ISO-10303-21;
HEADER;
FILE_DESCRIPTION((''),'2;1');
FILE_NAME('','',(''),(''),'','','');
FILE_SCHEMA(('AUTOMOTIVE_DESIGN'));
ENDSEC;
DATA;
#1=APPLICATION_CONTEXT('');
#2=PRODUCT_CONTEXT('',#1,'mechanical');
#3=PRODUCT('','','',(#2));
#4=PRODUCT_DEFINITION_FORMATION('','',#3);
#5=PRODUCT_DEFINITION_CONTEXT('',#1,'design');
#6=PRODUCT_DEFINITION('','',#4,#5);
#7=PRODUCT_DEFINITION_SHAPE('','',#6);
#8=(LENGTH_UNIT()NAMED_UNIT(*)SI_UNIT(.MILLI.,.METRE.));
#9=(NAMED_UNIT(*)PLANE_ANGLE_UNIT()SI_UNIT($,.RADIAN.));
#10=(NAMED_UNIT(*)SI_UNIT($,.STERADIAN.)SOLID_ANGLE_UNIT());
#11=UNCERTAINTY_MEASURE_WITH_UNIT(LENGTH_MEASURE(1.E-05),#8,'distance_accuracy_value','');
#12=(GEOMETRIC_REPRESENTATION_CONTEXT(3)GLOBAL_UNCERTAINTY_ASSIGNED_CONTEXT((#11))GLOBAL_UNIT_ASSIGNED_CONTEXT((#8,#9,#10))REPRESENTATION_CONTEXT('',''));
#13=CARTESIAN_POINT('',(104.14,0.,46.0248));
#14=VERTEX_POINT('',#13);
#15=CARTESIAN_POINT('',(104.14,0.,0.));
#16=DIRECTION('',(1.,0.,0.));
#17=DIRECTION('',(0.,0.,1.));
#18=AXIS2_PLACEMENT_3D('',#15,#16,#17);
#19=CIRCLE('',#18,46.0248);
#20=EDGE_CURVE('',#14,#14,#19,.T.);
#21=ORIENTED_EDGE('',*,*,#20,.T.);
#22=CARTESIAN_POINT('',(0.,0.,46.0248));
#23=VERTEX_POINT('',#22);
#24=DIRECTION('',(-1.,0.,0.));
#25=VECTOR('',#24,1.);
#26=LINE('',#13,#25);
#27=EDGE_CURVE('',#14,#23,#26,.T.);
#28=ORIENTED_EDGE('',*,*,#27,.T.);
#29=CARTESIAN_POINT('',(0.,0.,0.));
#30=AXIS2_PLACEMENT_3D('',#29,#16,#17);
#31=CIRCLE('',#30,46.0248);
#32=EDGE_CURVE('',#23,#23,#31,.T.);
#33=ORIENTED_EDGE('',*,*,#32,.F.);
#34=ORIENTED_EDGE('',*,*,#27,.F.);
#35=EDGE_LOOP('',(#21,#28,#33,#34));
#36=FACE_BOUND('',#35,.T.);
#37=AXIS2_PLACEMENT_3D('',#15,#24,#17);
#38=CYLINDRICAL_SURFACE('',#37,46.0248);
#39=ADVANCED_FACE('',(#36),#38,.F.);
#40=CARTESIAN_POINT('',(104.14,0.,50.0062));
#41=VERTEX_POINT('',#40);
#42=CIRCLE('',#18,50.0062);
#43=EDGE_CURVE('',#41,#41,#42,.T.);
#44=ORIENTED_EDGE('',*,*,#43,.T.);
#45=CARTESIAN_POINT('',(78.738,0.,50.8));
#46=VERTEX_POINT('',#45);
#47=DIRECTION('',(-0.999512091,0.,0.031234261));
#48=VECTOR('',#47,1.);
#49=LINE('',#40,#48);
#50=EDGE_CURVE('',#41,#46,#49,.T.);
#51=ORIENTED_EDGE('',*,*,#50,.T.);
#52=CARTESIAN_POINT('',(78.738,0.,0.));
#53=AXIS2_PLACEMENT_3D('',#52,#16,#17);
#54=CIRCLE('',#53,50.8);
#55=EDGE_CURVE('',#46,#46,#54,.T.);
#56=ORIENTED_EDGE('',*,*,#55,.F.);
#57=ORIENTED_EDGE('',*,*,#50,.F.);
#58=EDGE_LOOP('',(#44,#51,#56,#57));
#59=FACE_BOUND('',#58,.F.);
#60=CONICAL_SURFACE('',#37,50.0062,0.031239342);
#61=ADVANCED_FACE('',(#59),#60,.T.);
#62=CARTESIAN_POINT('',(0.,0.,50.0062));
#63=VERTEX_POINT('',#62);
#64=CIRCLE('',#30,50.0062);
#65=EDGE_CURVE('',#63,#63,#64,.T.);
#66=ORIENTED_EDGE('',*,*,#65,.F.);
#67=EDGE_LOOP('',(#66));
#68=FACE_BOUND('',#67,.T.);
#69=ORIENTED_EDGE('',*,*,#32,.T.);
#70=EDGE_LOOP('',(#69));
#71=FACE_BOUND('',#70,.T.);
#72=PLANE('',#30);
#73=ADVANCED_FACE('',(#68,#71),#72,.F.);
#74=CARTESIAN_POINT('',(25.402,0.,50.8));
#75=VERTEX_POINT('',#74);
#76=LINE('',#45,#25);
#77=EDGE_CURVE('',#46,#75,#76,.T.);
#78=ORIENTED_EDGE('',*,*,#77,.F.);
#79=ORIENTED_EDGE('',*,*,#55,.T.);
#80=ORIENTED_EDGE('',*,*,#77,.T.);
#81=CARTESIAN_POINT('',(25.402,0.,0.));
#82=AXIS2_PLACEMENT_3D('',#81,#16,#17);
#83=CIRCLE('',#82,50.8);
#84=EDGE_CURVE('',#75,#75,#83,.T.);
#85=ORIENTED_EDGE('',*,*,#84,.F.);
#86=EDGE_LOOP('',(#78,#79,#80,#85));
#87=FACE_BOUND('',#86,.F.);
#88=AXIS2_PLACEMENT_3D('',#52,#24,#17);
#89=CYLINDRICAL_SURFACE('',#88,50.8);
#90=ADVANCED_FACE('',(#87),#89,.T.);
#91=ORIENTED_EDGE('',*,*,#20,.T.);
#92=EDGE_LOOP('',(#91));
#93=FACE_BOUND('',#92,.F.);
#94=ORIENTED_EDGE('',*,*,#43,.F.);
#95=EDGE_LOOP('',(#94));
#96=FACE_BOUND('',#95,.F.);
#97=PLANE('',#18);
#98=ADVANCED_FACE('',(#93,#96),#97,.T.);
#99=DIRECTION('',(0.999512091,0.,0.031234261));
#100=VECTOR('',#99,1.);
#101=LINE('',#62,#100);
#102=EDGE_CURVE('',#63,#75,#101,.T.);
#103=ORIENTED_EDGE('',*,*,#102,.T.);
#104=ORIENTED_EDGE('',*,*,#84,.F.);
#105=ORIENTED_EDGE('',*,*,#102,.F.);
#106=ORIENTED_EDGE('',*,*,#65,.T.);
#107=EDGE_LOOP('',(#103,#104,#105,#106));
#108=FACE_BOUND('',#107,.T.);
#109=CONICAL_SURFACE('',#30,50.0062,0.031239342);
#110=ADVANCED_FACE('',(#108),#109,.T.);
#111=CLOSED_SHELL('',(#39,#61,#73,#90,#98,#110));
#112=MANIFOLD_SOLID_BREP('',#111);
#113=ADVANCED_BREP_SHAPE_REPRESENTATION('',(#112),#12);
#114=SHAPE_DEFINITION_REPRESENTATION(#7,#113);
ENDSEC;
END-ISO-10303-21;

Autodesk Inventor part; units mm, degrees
ref_plane "YZ Plane" through (0, 0, 0) normal (1, 0, 0) x (0, 1, 0)
ref_plane "XZ Plane" through (0, 0, 0) normal (0, 1, 0) x (-1, 0, 0)
ref_plane "XY Plane" through (0, 0, 0) normal (0, 0, 1) x (1, 0, 0)
sketch "Sketch1" plane through (0, 0, 0) normal (0, 1, 0) x (-1, 0, 0)
  line L0 (0, 0) -> (-104.14, 0)
  line L1 (-104.14, 0) -> (-104.14, 46.0248) construction
  line L2 (-104.14, 46.0248) -> (-104.14, 50.0062)
  line L3 (-104.14, 50.0062) -> (-78.738, 50.8)
  line L4 (-78.738, 50.8) -> (-25.402, 50.8)
  line L5 (-52.07, 0) -> (-52.07, 50.8) construction
  line L6 (-104.14, 46.0248) -> (0, 46.0248)
  line L7 (0, 0) -> (0, 46.0248) construction
  line L8 (0, 46.0248) -> (0, 50.0062)
  line L9 (0, 50.0062) -> (-25.402, 50.8)
  line L10 (-72.39, 50.9984) -> (-72.39, 0) construction
  line L11 (-31.75, 50.9984) -> (-31.75, 0) construction
  line L12 (-78.738, 50.8) -> (-72.39, 50.9984) construction
  line L13 (-78.738, 50.8) -> (-78.738, 0) construction
  line L14 (-25.402, 50.8) -> (-31.75, 50.9984) construction
  line L15 (-25.402, 50.8) -> (-25.402, 0) construction
  dimension "d0" = 101.6
  dimension "d1" = 1.79
  dimension "d2" = 92.0496
  dimension "d3" = 104.14
  dimension "d4" = 31.75
  dimension "d5" = 101.9968
revolve "Revolution1" add sketch "Sketch1" angle 360 about axis through (0, 0, 0) along (1, 0, 0)
thread "Thread1" size "3 1/2" designation "3 1/2 - 8 NPT" standard "NPT" full length
thread "Thread2" size "3 1/2" designation "3 1/2 - 8 NPT" standard "NPT" full length
equation "\"d0\" = OD"
equation "\"d2\" = ID"
equation "\"d3\" = L"
equation "\"d4\" = L2"
equation "\"d5\" = D2"
equation "\"OD\" = 101.6"
equation "\"t\" = 4.7752"
equation "\"L\" = PL"
equation "\"L4\" = 42.76598"
equation "\"ID\" = 92.0496"
equation "\"PL\" = 104.14"
equation "\"D2\" = 101.99675"
equation "\"L2\" = 31.75"
equation "\"Size_Designation\" = 1.2345"
equation "\"PLmin\" = 2 * L2"
properties part number "ASME B36.10M Pipe with Threaded Ends 3 1/2 - Schedule 30 - 4.1" material "Steel, Wrought"
